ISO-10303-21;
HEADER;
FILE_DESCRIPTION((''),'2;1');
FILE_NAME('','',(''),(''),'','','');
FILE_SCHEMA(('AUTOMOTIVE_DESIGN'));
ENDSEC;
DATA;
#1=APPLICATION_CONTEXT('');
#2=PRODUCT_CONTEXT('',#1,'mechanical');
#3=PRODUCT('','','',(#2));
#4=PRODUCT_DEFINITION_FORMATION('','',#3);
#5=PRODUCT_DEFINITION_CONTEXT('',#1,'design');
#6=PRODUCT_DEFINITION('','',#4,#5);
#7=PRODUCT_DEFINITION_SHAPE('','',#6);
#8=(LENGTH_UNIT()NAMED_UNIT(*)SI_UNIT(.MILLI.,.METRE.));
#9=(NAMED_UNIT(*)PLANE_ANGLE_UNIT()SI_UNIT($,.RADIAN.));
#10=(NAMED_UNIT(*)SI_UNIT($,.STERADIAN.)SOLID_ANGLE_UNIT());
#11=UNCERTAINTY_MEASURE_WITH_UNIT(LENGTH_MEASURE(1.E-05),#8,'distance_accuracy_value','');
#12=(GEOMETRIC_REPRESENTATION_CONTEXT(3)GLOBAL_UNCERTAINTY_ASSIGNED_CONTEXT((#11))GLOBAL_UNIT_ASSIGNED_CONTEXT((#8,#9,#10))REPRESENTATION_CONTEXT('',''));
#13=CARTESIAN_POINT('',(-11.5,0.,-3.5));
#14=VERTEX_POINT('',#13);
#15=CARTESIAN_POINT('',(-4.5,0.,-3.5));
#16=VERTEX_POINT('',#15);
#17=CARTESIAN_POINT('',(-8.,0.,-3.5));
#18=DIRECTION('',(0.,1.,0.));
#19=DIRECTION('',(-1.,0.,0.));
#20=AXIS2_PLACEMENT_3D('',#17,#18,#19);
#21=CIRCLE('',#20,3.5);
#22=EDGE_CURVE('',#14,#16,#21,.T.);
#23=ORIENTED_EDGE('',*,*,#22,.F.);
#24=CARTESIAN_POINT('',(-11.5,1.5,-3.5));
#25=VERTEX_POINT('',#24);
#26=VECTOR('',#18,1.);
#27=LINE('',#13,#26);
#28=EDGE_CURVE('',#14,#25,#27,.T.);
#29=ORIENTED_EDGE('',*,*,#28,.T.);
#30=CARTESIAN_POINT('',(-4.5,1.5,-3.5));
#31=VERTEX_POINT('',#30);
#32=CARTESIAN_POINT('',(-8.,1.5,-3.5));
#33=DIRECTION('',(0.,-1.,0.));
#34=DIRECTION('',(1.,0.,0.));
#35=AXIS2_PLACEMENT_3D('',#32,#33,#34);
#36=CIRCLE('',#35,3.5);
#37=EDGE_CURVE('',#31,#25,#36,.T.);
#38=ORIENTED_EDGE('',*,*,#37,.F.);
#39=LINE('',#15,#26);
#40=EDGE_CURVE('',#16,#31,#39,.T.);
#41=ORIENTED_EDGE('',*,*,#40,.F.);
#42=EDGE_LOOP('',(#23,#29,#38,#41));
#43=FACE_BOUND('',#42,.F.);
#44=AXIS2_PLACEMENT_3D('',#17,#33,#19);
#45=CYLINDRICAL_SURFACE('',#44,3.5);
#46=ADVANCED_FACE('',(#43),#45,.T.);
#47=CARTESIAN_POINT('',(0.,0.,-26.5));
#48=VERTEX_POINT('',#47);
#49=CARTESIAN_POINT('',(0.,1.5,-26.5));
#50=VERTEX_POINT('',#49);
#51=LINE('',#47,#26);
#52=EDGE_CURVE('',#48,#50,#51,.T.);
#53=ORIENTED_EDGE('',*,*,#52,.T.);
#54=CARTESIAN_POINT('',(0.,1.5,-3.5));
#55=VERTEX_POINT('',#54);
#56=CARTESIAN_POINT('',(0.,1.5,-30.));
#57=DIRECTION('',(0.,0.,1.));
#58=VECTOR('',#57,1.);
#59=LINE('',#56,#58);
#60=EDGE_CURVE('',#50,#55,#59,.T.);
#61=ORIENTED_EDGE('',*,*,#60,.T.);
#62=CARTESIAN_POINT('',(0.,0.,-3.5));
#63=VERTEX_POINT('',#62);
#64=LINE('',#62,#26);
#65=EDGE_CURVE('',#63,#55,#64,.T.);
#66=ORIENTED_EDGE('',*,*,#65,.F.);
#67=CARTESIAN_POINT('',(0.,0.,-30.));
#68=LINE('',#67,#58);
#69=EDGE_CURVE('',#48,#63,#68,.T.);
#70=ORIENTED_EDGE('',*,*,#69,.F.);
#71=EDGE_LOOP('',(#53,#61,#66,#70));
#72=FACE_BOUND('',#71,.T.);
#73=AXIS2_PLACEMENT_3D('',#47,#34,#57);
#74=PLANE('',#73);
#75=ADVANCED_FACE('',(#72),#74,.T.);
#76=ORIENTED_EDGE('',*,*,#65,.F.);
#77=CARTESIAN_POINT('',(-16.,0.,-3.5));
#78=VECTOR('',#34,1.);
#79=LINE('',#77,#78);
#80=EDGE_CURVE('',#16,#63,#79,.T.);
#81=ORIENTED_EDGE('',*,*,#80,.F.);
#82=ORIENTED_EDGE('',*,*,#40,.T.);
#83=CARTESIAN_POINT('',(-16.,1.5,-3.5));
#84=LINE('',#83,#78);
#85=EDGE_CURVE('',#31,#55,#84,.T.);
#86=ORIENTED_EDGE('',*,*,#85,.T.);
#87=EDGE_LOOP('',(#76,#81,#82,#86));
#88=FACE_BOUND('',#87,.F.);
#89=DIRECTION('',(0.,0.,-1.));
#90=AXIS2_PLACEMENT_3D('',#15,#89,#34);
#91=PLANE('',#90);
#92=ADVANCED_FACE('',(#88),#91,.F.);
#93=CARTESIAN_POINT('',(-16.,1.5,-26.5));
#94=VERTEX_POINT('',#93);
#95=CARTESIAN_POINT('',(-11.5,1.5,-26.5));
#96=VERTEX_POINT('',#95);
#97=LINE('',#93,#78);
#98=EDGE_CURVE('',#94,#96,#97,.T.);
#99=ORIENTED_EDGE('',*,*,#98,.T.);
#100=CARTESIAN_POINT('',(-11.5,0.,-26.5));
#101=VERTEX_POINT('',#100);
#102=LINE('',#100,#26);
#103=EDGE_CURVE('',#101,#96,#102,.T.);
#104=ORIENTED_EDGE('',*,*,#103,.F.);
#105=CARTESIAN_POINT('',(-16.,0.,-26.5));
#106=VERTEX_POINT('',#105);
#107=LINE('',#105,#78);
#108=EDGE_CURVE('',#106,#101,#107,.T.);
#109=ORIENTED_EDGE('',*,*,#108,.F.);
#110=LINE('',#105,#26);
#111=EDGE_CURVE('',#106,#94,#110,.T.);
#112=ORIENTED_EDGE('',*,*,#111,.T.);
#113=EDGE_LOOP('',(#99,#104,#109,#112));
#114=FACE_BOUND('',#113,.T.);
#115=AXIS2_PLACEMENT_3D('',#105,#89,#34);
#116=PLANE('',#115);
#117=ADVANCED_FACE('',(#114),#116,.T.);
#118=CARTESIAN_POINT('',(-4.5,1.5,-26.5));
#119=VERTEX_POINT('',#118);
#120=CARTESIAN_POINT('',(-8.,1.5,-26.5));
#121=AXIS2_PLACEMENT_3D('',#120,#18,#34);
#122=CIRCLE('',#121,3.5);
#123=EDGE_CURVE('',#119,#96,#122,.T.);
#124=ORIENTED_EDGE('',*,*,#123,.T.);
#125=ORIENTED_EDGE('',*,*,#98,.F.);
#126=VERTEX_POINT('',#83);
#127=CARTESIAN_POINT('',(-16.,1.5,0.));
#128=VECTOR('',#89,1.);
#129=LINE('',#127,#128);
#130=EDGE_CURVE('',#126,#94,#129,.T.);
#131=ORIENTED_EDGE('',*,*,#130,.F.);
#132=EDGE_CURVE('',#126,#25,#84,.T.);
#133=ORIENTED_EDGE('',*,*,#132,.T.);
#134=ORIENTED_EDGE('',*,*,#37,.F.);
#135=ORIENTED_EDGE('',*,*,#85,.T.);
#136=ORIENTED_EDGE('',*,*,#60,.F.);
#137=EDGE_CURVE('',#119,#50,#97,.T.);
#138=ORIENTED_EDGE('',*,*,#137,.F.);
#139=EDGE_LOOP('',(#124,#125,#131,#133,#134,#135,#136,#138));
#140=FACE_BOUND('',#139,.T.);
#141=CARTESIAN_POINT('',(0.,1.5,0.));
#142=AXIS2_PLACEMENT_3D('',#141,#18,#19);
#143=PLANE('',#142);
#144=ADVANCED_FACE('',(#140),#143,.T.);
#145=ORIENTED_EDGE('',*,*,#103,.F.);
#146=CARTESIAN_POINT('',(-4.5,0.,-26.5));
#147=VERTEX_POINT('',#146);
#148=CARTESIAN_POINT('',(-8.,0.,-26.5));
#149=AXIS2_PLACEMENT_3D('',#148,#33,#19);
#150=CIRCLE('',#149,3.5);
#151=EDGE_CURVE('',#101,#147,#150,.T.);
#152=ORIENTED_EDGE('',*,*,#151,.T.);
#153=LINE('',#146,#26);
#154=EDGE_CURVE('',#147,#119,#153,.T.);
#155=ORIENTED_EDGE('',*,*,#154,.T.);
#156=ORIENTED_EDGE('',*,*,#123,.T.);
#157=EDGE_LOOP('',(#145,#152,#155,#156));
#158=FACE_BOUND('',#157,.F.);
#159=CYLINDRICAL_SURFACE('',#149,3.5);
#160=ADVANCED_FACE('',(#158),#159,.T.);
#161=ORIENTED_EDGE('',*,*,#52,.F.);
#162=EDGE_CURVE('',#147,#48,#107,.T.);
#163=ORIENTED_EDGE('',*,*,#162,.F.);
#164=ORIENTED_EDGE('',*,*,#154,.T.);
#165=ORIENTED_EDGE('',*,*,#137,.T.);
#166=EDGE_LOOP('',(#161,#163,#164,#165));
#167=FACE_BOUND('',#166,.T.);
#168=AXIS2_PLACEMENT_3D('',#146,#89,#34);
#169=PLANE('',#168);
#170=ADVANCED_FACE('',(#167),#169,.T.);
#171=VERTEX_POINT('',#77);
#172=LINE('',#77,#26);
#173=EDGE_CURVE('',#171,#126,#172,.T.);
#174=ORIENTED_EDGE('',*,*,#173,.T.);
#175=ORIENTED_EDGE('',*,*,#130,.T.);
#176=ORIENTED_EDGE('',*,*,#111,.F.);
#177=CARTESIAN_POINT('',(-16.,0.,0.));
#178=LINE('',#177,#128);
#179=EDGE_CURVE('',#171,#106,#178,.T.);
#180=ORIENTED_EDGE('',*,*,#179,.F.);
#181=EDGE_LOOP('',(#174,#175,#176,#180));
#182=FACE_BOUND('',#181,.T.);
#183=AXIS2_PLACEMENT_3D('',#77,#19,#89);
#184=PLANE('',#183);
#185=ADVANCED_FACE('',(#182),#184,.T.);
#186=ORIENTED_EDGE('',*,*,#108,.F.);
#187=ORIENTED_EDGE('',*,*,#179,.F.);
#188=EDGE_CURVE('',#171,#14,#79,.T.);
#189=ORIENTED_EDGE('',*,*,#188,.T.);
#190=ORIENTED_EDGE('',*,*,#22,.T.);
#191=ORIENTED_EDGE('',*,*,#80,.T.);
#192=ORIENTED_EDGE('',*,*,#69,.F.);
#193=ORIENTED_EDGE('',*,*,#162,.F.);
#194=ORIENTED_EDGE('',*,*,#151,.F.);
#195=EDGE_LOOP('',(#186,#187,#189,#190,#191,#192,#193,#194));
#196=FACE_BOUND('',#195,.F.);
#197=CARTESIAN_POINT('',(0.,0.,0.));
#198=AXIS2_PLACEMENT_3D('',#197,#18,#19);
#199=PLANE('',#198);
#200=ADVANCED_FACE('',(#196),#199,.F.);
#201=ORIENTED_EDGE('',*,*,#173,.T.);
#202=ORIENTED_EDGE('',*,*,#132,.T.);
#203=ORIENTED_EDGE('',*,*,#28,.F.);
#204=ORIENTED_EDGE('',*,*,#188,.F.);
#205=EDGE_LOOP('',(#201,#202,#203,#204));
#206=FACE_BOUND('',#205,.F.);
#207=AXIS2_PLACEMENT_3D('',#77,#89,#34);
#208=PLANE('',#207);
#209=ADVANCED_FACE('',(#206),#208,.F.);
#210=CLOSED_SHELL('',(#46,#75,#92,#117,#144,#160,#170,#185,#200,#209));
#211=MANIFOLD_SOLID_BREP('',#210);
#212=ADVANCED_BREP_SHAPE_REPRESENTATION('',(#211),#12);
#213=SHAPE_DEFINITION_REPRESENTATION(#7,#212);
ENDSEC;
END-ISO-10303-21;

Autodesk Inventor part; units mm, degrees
ref_plane "YZ Plane" through (0, 0, 0) normal (1, 0, 0) x (0, 1, 0)
ref_plane "XZ Plane" through (0, 0, 0) normal (0, 1, 0) x (-1, 0, 0)
ref_plane "XY Plane" through (0, 0, 0) normal (0, 0, 1) x (1, 0, 0)
sketch "スケッチ1" plane through (0, 0, 0) normal (0, 1, 0) x (-1, 0, 0)
  line L0 (0, 0) -> (16, 0)
  line L1 (16, 0) -> (16, -30)
  line L2 (16, -30) -> (0, -30)
  line L3 (0, -30) -> (0, 0)
  circle A0 centre (8, -3.5) radius 3.5
  circle A1 centre (8, -26.5) radius 3.5
  line L4 (16, -3.5) -> (0, -3.5)
  line L5 (16, -26.5) -> (-0.2656, -26.5)
  point P0 (8, 0)
  point P1 (11.5, -3.5)
  point P2 (4.5, -3.5)
  point P3 (0, -26.5)
  point P4 (4.5, -26.5)
  point P5 (11.5, -26.5)
  dimension "d0" = 16
  dimension "d1" = 30
  dimension "d2" = 7
extrude "押し出し1" add sketch "スケッチ1" along normal blind 1.5 contours A0 L4 | L4 A0 L1 L5 A1 L3 | A0 L4 | L5 A1 | A1 L5
properties part number "external_input"
